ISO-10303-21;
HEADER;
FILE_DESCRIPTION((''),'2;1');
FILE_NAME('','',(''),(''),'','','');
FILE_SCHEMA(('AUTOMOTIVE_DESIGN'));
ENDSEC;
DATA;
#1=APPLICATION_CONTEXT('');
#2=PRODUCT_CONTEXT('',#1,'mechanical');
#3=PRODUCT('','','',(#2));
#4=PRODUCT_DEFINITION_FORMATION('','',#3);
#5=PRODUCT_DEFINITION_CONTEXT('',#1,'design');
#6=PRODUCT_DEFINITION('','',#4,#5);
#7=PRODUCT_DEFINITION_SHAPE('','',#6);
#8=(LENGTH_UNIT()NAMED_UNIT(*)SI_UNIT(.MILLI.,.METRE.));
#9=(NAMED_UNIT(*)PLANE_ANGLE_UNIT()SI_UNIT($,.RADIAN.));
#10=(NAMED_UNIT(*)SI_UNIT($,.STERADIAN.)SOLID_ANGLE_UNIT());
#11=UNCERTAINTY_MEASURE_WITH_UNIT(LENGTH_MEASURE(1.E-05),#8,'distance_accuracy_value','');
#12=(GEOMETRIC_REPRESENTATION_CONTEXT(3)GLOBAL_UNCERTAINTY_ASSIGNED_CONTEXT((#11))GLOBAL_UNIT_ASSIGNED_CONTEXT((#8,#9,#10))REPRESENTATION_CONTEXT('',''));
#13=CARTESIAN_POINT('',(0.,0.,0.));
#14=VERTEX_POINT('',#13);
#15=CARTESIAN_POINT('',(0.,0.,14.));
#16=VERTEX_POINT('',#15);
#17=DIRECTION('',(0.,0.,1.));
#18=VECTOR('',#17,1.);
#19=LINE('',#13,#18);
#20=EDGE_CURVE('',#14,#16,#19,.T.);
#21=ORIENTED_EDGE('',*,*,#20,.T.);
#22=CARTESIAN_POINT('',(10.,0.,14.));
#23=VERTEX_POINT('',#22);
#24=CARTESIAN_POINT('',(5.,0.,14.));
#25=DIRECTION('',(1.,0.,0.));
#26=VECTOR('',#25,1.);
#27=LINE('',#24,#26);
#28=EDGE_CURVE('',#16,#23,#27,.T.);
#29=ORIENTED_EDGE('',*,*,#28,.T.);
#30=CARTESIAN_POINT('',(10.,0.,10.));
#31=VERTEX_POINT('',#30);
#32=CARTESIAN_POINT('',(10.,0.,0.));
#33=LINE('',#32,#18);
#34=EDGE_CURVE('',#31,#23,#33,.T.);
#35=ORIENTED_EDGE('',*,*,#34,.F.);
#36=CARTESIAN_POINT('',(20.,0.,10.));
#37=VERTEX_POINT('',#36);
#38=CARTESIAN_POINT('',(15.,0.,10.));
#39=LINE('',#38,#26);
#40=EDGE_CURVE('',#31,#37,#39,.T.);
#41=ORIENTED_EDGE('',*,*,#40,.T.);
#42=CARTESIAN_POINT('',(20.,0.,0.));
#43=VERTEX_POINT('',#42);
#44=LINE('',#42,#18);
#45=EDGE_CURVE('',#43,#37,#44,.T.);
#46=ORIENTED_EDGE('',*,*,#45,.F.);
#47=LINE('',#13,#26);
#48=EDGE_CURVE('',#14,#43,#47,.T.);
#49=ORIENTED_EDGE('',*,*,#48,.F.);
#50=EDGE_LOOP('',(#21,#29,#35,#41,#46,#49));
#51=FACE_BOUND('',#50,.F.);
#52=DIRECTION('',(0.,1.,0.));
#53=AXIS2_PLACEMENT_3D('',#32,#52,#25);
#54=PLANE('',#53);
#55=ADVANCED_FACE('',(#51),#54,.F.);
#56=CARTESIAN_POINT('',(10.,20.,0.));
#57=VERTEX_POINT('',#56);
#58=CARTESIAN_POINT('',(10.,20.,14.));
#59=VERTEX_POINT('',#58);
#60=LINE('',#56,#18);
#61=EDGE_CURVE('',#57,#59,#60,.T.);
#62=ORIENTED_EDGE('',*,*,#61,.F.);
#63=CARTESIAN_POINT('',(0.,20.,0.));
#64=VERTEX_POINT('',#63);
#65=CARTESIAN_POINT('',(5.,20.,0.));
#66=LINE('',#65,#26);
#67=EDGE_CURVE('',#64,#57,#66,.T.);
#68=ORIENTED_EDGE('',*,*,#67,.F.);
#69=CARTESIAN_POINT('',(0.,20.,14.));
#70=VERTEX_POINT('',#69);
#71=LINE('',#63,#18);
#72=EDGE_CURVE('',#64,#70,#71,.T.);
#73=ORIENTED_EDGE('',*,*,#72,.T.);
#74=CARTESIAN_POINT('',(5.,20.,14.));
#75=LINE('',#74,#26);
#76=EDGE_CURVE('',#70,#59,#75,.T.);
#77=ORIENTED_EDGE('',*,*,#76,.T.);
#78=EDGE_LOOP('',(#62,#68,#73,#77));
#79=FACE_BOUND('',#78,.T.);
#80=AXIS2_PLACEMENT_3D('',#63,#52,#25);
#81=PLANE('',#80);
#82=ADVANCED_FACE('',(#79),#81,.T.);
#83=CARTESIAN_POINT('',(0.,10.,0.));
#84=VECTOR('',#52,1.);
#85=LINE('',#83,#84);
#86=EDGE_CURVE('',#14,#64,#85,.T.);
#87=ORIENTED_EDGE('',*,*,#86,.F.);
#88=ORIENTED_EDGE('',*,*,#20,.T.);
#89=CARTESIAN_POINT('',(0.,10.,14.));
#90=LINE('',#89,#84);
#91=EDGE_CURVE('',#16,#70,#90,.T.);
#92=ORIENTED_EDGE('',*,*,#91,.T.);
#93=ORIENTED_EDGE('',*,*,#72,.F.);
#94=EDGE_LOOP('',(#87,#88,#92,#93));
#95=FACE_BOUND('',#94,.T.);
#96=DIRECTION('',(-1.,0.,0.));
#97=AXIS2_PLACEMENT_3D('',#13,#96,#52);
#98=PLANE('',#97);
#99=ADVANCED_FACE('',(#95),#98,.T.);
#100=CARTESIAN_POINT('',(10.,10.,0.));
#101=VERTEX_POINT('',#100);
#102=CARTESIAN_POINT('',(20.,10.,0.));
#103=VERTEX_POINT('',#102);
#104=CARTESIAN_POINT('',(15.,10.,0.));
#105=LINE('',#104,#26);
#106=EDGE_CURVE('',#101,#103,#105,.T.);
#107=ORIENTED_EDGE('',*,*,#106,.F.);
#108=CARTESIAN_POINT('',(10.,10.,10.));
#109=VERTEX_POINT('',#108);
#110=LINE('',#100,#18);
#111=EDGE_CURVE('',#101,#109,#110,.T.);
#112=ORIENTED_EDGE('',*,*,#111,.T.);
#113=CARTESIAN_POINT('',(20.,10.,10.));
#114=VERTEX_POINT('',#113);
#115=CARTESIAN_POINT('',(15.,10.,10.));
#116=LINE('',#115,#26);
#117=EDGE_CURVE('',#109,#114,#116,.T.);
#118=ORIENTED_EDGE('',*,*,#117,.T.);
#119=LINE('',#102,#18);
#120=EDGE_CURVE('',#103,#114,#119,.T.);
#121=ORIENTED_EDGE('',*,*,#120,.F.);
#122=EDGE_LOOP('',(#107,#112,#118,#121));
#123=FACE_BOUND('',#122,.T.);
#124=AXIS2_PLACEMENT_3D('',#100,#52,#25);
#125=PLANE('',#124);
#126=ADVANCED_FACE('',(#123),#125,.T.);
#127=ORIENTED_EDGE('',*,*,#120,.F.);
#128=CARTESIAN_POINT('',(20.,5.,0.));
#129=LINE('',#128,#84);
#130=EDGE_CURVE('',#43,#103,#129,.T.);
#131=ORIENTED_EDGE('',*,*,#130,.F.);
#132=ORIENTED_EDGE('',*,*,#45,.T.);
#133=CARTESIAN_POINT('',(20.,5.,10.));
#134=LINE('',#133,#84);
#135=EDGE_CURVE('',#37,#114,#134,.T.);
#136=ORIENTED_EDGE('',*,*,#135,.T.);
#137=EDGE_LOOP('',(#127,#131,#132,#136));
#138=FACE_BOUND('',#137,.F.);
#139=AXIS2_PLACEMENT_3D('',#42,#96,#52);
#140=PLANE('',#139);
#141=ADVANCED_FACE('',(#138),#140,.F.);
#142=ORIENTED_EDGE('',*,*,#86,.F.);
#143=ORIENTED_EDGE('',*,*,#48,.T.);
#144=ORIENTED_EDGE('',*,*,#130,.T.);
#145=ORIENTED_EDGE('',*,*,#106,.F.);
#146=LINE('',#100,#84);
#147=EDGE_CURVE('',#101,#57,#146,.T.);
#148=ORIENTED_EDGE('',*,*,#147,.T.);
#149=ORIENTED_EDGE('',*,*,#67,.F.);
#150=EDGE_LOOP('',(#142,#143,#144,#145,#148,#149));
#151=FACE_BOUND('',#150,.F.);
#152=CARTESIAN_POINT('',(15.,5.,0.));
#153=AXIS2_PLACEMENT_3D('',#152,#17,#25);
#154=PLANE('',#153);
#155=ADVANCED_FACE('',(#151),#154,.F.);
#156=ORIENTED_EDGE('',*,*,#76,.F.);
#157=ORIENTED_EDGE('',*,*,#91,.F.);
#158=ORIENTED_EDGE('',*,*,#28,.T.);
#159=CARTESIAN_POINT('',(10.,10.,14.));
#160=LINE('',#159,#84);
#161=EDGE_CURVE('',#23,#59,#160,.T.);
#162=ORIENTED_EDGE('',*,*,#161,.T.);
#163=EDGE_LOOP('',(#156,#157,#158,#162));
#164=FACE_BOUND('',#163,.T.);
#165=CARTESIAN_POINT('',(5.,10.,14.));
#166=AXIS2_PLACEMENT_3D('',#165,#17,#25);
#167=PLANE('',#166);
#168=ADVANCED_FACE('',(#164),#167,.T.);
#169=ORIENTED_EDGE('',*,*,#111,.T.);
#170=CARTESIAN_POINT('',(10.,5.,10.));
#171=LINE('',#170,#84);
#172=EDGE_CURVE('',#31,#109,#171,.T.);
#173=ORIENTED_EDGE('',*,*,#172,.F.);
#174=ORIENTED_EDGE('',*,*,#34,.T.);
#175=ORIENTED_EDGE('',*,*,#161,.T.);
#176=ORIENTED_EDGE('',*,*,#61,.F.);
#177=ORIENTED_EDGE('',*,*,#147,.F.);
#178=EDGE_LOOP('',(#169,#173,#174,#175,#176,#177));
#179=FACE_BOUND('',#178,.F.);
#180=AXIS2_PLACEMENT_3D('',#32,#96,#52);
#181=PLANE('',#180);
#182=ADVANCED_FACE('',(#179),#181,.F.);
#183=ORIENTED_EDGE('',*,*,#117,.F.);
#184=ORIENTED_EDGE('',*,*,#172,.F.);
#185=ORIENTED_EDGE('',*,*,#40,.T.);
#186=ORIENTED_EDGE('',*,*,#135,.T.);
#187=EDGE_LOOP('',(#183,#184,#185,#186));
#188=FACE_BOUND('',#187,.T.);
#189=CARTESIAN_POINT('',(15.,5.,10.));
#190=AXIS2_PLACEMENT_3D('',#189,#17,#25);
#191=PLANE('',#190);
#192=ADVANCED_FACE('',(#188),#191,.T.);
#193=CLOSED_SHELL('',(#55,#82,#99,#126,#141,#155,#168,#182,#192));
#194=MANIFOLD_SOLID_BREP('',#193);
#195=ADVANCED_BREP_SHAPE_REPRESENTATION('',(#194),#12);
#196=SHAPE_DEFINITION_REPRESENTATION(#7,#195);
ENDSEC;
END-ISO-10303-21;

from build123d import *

# Parameters (mm, degrees)
BOX_W        = 10
BOX_H        = 20
BOX_DEPTH    = 14
BOX001_W     = 10
BOX001_H     = 10
BOX001_DEPTH = 10


with BuildPart() as cub:
    # Box → Box (new body)
    with BuildSketch(Plane.XY):
        with Locations((5, 10)):
            Rectangle(BOX_W, BOX_H)
    extrude(amount=BOX_DEPTH)


with BuildPart() as cub001:
    # Box001 → Box001 (new body)
    with BuildSketch(Plane(origin=(10, 0, 0), x_dir=(1, 0, 0), z_dir=(0, 0, 1))):
        with Locations((5, 5)):
            Rectangle(BOX001_W, BOX001_H)
    extrude(amount=BOX001_DEPTH)


with BuildPart() as fusion001:
    # Fusion base: copy of Cub
    add(cub.part)

    # Fusion: union Cub001
    add(cub001.part)

    # Fusion001: union Cub
    add(cub.part)


solid = fusion001.part
